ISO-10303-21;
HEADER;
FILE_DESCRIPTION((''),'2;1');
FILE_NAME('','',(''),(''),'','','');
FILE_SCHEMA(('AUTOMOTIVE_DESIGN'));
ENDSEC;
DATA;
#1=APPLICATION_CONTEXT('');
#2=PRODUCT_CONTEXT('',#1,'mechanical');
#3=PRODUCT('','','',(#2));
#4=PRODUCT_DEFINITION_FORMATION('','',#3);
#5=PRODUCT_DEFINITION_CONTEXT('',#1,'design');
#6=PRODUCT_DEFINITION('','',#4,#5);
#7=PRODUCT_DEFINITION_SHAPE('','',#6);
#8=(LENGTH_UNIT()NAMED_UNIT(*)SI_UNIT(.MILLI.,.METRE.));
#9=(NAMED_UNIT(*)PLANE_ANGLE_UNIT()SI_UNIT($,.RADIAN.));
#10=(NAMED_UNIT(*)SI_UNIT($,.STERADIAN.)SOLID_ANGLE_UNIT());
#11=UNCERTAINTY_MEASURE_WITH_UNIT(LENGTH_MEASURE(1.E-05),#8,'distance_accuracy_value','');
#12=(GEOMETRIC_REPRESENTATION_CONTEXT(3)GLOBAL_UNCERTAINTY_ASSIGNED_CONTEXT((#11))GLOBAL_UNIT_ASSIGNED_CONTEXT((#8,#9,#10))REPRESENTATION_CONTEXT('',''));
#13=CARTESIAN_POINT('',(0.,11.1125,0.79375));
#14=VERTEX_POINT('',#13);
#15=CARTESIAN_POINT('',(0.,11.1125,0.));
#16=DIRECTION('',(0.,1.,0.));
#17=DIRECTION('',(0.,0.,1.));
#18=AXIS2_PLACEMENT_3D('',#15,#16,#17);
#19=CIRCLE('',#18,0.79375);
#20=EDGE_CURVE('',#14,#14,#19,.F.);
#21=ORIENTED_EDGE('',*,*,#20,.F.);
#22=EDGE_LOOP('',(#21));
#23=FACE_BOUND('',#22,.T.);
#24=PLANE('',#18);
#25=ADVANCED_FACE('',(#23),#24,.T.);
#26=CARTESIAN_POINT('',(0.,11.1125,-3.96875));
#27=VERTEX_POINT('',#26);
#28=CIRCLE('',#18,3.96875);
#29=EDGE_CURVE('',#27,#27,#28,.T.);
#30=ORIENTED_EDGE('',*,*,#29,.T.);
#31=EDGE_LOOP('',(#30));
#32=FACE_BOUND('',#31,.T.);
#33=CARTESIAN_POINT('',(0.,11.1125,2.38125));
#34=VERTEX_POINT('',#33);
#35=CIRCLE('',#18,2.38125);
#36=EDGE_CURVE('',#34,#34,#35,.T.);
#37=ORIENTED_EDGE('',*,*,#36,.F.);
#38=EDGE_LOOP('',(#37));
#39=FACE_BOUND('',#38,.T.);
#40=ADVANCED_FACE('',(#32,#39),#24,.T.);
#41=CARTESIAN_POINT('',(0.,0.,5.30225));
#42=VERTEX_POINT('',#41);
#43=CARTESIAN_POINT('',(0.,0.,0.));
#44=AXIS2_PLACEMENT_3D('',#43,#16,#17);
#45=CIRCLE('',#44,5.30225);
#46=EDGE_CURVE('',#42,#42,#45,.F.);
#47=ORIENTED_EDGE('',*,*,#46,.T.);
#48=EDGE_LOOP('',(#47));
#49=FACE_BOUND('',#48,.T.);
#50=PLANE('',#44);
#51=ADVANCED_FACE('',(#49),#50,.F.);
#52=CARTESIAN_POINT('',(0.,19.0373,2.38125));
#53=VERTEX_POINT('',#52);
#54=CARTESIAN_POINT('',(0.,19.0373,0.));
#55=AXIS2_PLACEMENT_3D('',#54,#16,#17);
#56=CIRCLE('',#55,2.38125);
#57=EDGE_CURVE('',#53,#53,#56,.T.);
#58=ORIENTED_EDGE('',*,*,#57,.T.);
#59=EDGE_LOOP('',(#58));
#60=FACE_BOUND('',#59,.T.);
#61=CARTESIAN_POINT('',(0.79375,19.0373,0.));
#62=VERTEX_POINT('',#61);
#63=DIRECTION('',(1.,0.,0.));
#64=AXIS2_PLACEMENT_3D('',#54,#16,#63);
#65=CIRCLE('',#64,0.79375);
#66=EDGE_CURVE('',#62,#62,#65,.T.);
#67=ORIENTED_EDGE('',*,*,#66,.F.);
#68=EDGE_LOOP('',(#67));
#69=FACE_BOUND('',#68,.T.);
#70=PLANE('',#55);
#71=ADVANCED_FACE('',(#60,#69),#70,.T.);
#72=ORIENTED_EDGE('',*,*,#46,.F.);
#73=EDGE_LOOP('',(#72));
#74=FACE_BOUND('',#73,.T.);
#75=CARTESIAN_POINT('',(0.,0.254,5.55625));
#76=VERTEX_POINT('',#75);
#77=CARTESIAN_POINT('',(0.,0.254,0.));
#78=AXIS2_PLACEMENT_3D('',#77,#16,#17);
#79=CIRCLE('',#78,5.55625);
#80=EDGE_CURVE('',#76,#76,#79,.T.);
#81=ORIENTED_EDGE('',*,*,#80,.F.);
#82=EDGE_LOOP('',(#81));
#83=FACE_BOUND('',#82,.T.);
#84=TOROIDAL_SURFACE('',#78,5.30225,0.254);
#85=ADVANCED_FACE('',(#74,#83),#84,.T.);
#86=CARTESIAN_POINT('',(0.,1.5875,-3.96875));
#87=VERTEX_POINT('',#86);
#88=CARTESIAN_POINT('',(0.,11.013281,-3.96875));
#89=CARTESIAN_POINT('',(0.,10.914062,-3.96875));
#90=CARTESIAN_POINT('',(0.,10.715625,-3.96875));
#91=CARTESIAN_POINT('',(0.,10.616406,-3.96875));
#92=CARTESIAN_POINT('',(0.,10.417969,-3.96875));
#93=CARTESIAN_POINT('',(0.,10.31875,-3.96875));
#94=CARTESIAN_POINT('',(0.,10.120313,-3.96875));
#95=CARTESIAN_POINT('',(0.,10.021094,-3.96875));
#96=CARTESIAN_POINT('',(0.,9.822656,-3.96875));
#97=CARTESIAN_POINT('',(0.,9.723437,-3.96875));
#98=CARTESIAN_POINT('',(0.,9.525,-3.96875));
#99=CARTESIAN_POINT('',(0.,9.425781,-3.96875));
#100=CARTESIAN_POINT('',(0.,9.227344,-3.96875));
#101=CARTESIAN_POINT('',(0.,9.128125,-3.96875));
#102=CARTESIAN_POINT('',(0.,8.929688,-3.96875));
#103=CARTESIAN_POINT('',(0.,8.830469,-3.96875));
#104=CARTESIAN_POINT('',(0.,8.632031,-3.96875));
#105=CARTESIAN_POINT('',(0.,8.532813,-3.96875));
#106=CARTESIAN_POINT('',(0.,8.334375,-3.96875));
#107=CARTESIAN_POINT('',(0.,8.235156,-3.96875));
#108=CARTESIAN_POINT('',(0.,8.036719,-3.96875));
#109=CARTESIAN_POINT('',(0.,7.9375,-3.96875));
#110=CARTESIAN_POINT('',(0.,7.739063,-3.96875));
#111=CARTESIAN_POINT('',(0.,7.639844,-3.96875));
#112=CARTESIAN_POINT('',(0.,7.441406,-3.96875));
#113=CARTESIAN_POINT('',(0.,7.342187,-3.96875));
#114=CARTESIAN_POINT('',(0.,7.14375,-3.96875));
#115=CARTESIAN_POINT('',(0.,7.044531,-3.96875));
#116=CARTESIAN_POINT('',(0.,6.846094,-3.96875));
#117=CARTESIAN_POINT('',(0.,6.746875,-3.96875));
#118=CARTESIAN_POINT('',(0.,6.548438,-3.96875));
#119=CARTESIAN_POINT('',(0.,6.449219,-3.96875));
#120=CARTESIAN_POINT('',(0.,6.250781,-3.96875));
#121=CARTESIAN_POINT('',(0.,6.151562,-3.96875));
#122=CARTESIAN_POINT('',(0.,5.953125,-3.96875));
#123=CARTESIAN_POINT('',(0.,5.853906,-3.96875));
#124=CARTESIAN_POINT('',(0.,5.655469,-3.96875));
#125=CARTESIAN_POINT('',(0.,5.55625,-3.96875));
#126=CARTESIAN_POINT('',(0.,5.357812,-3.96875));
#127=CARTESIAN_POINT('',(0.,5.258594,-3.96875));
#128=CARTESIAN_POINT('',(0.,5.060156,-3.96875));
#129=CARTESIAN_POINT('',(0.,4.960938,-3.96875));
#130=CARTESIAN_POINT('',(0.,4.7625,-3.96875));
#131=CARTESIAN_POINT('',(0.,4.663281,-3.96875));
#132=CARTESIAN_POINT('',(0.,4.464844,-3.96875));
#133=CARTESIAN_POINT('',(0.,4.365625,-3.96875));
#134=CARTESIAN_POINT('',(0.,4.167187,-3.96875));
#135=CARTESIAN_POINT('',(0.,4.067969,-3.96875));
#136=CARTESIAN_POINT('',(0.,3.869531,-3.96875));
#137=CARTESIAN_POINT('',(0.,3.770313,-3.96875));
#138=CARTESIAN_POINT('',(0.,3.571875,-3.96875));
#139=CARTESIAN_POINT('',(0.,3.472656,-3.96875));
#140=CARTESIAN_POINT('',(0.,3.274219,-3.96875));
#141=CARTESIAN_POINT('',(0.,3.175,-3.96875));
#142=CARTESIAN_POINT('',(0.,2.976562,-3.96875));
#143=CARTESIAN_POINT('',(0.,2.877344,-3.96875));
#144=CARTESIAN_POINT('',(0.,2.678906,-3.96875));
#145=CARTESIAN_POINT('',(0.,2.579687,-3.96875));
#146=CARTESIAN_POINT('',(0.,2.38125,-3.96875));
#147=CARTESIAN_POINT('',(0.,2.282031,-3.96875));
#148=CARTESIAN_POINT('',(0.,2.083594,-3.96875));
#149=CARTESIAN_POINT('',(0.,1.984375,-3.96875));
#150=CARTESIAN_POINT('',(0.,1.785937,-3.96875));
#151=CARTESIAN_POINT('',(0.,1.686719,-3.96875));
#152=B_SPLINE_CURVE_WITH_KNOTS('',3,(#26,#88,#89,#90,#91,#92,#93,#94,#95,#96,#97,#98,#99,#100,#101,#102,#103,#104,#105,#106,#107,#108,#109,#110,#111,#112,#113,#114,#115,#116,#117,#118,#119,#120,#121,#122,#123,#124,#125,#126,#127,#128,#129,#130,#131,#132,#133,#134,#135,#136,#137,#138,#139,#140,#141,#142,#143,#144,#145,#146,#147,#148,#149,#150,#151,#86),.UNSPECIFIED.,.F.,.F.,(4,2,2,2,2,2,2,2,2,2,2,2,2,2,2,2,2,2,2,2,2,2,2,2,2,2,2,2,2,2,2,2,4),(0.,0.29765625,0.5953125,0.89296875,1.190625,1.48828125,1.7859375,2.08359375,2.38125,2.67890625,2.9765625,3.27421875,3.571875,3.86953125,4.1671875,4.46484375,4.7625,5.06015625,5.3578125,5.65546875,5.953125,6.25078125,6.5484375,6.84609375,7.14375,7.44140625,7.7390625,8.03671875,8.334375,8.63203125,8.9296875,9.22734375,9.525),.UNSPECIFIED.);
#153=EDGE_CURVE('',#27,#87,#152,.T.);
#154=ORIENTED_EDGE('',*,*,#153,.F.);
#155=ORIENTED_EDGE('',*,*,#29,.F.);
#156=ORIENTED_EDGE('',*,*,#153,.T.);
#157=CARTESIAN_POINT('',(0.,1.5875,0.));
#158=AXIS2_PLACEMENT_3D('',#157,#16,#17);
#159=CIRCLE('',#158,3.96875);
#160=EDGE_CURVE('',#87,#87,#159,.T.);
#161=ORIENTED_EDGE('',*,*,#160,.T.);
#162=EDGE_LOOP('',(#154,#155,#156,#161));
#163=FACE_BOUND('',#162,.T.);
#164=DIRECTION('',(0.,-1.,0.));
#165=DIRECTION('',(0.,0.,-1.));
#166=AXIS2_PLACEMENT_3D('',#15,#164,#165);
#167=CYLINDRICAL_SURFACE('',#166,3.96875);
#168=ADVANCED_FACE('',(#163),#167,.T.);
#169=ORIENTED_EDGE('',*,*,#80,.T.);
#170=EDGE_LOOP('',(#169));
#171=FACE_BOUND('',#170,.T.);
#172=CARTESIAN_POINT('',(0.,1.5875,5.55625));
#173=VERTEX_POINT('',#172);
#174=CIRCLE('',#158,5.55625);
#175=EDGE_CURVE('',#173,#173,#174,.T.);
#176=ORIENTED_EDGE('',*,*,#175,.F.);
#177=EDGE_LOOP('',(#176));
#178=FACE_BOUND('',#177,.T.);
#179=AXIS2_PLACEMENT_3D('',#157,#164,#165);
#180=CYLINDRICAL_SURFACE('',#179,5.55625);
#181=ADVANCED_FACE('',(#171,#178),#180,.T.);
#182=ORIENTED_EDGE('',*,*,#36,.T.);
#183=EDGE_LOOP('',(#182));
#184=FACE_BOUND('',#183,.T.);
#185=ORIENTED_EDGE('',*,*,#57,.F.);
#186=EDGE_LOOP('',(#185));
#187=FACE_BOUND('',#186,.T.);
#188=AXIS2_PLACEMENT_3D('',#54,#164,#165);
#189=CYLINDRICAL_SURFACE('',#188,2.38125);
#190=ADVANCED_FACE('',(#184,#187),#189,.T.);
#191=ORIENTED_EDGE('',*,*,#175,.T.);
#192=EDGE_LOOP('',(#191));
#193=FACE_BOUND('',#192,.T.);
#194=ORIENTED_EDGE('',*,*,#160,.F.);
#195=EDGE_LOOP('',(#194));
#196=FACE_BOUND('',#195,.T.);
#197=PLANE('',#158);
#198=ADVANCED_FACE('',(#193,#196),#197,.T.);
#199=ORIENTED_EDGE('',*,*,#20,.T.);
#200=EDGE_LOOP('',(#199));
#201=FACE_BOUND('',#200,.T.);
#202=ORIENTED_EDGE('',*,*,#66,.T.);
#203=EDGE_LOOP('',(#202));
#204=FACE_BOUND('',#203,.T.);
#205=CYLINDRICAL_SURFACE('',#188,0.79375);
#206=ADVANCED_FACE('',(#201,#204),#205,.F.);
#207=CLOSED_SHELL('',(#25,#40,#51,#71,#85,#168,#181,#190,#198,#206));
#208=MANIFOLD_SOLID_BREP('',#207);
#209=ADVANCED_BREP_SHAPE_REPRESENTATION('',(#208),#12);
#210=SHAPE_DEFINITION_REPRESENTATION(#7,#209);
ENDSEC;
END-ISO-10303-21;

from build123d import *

# Parameters (mm, degrees)
SKETCH1_R           = 5.55625
BOSS_EXTRUDE1_DEPTH = 1.5875
SKETCH2_R           = 3.96875
BOSS_EXTRUDE2_DEPTH = 9.525
SKETCH3_R           = 2.38125
SKETCH3_R_2         = 0.79375
EXTRUDE_THIN2_DEPTH = 7.9248
FILLET1_R           = 0.254


with BuildPart() as part:
    # Sketch1 → Boss-Extrude1 (new body)
    with BuildSketch(Plane(origin=(0, 0, 0), x_dir=(1, 0, 0), z_dir=(0, 1, 0))):
        Circle(SKETCH1_R)
    extrude(amount=BOSS_EXTRUDE1_DEPTH)

    # Sketch2 → Boss-Extrude2 (add)
    with BuildSketch(Plane(origin=(0, 1.5875, 0), x_dir=(1, 0, 0), z_dir=(0, 1, 0))):
        Circle(SKETCH2_R)
    extrude(amount=BOSS_EXTRUDE2_DEPTH)

    # Sketch3 → Extrude-Thin2 (add)
    with BuildSketch(Plane(origin=(0, 11.1125, 0), x_dir=(1, 0, 0), z_dir=(0, 1, 0))):
        Circle(SKETCH3_R)
        Circle(SKETCH3_R_2, mode=Mode.SUBTRACT)
    extrude(amount=EXTRUDE_THIN2_DEPTH)

    # Fillet1
    fillet1_edges = [part.edges().sort_by_distance(p)[0] for p in [
        (-5.55625, 0, 0),
    ]]
    fillet(fillet1_edges, radius=FILLET1_R)


solid = part.part
